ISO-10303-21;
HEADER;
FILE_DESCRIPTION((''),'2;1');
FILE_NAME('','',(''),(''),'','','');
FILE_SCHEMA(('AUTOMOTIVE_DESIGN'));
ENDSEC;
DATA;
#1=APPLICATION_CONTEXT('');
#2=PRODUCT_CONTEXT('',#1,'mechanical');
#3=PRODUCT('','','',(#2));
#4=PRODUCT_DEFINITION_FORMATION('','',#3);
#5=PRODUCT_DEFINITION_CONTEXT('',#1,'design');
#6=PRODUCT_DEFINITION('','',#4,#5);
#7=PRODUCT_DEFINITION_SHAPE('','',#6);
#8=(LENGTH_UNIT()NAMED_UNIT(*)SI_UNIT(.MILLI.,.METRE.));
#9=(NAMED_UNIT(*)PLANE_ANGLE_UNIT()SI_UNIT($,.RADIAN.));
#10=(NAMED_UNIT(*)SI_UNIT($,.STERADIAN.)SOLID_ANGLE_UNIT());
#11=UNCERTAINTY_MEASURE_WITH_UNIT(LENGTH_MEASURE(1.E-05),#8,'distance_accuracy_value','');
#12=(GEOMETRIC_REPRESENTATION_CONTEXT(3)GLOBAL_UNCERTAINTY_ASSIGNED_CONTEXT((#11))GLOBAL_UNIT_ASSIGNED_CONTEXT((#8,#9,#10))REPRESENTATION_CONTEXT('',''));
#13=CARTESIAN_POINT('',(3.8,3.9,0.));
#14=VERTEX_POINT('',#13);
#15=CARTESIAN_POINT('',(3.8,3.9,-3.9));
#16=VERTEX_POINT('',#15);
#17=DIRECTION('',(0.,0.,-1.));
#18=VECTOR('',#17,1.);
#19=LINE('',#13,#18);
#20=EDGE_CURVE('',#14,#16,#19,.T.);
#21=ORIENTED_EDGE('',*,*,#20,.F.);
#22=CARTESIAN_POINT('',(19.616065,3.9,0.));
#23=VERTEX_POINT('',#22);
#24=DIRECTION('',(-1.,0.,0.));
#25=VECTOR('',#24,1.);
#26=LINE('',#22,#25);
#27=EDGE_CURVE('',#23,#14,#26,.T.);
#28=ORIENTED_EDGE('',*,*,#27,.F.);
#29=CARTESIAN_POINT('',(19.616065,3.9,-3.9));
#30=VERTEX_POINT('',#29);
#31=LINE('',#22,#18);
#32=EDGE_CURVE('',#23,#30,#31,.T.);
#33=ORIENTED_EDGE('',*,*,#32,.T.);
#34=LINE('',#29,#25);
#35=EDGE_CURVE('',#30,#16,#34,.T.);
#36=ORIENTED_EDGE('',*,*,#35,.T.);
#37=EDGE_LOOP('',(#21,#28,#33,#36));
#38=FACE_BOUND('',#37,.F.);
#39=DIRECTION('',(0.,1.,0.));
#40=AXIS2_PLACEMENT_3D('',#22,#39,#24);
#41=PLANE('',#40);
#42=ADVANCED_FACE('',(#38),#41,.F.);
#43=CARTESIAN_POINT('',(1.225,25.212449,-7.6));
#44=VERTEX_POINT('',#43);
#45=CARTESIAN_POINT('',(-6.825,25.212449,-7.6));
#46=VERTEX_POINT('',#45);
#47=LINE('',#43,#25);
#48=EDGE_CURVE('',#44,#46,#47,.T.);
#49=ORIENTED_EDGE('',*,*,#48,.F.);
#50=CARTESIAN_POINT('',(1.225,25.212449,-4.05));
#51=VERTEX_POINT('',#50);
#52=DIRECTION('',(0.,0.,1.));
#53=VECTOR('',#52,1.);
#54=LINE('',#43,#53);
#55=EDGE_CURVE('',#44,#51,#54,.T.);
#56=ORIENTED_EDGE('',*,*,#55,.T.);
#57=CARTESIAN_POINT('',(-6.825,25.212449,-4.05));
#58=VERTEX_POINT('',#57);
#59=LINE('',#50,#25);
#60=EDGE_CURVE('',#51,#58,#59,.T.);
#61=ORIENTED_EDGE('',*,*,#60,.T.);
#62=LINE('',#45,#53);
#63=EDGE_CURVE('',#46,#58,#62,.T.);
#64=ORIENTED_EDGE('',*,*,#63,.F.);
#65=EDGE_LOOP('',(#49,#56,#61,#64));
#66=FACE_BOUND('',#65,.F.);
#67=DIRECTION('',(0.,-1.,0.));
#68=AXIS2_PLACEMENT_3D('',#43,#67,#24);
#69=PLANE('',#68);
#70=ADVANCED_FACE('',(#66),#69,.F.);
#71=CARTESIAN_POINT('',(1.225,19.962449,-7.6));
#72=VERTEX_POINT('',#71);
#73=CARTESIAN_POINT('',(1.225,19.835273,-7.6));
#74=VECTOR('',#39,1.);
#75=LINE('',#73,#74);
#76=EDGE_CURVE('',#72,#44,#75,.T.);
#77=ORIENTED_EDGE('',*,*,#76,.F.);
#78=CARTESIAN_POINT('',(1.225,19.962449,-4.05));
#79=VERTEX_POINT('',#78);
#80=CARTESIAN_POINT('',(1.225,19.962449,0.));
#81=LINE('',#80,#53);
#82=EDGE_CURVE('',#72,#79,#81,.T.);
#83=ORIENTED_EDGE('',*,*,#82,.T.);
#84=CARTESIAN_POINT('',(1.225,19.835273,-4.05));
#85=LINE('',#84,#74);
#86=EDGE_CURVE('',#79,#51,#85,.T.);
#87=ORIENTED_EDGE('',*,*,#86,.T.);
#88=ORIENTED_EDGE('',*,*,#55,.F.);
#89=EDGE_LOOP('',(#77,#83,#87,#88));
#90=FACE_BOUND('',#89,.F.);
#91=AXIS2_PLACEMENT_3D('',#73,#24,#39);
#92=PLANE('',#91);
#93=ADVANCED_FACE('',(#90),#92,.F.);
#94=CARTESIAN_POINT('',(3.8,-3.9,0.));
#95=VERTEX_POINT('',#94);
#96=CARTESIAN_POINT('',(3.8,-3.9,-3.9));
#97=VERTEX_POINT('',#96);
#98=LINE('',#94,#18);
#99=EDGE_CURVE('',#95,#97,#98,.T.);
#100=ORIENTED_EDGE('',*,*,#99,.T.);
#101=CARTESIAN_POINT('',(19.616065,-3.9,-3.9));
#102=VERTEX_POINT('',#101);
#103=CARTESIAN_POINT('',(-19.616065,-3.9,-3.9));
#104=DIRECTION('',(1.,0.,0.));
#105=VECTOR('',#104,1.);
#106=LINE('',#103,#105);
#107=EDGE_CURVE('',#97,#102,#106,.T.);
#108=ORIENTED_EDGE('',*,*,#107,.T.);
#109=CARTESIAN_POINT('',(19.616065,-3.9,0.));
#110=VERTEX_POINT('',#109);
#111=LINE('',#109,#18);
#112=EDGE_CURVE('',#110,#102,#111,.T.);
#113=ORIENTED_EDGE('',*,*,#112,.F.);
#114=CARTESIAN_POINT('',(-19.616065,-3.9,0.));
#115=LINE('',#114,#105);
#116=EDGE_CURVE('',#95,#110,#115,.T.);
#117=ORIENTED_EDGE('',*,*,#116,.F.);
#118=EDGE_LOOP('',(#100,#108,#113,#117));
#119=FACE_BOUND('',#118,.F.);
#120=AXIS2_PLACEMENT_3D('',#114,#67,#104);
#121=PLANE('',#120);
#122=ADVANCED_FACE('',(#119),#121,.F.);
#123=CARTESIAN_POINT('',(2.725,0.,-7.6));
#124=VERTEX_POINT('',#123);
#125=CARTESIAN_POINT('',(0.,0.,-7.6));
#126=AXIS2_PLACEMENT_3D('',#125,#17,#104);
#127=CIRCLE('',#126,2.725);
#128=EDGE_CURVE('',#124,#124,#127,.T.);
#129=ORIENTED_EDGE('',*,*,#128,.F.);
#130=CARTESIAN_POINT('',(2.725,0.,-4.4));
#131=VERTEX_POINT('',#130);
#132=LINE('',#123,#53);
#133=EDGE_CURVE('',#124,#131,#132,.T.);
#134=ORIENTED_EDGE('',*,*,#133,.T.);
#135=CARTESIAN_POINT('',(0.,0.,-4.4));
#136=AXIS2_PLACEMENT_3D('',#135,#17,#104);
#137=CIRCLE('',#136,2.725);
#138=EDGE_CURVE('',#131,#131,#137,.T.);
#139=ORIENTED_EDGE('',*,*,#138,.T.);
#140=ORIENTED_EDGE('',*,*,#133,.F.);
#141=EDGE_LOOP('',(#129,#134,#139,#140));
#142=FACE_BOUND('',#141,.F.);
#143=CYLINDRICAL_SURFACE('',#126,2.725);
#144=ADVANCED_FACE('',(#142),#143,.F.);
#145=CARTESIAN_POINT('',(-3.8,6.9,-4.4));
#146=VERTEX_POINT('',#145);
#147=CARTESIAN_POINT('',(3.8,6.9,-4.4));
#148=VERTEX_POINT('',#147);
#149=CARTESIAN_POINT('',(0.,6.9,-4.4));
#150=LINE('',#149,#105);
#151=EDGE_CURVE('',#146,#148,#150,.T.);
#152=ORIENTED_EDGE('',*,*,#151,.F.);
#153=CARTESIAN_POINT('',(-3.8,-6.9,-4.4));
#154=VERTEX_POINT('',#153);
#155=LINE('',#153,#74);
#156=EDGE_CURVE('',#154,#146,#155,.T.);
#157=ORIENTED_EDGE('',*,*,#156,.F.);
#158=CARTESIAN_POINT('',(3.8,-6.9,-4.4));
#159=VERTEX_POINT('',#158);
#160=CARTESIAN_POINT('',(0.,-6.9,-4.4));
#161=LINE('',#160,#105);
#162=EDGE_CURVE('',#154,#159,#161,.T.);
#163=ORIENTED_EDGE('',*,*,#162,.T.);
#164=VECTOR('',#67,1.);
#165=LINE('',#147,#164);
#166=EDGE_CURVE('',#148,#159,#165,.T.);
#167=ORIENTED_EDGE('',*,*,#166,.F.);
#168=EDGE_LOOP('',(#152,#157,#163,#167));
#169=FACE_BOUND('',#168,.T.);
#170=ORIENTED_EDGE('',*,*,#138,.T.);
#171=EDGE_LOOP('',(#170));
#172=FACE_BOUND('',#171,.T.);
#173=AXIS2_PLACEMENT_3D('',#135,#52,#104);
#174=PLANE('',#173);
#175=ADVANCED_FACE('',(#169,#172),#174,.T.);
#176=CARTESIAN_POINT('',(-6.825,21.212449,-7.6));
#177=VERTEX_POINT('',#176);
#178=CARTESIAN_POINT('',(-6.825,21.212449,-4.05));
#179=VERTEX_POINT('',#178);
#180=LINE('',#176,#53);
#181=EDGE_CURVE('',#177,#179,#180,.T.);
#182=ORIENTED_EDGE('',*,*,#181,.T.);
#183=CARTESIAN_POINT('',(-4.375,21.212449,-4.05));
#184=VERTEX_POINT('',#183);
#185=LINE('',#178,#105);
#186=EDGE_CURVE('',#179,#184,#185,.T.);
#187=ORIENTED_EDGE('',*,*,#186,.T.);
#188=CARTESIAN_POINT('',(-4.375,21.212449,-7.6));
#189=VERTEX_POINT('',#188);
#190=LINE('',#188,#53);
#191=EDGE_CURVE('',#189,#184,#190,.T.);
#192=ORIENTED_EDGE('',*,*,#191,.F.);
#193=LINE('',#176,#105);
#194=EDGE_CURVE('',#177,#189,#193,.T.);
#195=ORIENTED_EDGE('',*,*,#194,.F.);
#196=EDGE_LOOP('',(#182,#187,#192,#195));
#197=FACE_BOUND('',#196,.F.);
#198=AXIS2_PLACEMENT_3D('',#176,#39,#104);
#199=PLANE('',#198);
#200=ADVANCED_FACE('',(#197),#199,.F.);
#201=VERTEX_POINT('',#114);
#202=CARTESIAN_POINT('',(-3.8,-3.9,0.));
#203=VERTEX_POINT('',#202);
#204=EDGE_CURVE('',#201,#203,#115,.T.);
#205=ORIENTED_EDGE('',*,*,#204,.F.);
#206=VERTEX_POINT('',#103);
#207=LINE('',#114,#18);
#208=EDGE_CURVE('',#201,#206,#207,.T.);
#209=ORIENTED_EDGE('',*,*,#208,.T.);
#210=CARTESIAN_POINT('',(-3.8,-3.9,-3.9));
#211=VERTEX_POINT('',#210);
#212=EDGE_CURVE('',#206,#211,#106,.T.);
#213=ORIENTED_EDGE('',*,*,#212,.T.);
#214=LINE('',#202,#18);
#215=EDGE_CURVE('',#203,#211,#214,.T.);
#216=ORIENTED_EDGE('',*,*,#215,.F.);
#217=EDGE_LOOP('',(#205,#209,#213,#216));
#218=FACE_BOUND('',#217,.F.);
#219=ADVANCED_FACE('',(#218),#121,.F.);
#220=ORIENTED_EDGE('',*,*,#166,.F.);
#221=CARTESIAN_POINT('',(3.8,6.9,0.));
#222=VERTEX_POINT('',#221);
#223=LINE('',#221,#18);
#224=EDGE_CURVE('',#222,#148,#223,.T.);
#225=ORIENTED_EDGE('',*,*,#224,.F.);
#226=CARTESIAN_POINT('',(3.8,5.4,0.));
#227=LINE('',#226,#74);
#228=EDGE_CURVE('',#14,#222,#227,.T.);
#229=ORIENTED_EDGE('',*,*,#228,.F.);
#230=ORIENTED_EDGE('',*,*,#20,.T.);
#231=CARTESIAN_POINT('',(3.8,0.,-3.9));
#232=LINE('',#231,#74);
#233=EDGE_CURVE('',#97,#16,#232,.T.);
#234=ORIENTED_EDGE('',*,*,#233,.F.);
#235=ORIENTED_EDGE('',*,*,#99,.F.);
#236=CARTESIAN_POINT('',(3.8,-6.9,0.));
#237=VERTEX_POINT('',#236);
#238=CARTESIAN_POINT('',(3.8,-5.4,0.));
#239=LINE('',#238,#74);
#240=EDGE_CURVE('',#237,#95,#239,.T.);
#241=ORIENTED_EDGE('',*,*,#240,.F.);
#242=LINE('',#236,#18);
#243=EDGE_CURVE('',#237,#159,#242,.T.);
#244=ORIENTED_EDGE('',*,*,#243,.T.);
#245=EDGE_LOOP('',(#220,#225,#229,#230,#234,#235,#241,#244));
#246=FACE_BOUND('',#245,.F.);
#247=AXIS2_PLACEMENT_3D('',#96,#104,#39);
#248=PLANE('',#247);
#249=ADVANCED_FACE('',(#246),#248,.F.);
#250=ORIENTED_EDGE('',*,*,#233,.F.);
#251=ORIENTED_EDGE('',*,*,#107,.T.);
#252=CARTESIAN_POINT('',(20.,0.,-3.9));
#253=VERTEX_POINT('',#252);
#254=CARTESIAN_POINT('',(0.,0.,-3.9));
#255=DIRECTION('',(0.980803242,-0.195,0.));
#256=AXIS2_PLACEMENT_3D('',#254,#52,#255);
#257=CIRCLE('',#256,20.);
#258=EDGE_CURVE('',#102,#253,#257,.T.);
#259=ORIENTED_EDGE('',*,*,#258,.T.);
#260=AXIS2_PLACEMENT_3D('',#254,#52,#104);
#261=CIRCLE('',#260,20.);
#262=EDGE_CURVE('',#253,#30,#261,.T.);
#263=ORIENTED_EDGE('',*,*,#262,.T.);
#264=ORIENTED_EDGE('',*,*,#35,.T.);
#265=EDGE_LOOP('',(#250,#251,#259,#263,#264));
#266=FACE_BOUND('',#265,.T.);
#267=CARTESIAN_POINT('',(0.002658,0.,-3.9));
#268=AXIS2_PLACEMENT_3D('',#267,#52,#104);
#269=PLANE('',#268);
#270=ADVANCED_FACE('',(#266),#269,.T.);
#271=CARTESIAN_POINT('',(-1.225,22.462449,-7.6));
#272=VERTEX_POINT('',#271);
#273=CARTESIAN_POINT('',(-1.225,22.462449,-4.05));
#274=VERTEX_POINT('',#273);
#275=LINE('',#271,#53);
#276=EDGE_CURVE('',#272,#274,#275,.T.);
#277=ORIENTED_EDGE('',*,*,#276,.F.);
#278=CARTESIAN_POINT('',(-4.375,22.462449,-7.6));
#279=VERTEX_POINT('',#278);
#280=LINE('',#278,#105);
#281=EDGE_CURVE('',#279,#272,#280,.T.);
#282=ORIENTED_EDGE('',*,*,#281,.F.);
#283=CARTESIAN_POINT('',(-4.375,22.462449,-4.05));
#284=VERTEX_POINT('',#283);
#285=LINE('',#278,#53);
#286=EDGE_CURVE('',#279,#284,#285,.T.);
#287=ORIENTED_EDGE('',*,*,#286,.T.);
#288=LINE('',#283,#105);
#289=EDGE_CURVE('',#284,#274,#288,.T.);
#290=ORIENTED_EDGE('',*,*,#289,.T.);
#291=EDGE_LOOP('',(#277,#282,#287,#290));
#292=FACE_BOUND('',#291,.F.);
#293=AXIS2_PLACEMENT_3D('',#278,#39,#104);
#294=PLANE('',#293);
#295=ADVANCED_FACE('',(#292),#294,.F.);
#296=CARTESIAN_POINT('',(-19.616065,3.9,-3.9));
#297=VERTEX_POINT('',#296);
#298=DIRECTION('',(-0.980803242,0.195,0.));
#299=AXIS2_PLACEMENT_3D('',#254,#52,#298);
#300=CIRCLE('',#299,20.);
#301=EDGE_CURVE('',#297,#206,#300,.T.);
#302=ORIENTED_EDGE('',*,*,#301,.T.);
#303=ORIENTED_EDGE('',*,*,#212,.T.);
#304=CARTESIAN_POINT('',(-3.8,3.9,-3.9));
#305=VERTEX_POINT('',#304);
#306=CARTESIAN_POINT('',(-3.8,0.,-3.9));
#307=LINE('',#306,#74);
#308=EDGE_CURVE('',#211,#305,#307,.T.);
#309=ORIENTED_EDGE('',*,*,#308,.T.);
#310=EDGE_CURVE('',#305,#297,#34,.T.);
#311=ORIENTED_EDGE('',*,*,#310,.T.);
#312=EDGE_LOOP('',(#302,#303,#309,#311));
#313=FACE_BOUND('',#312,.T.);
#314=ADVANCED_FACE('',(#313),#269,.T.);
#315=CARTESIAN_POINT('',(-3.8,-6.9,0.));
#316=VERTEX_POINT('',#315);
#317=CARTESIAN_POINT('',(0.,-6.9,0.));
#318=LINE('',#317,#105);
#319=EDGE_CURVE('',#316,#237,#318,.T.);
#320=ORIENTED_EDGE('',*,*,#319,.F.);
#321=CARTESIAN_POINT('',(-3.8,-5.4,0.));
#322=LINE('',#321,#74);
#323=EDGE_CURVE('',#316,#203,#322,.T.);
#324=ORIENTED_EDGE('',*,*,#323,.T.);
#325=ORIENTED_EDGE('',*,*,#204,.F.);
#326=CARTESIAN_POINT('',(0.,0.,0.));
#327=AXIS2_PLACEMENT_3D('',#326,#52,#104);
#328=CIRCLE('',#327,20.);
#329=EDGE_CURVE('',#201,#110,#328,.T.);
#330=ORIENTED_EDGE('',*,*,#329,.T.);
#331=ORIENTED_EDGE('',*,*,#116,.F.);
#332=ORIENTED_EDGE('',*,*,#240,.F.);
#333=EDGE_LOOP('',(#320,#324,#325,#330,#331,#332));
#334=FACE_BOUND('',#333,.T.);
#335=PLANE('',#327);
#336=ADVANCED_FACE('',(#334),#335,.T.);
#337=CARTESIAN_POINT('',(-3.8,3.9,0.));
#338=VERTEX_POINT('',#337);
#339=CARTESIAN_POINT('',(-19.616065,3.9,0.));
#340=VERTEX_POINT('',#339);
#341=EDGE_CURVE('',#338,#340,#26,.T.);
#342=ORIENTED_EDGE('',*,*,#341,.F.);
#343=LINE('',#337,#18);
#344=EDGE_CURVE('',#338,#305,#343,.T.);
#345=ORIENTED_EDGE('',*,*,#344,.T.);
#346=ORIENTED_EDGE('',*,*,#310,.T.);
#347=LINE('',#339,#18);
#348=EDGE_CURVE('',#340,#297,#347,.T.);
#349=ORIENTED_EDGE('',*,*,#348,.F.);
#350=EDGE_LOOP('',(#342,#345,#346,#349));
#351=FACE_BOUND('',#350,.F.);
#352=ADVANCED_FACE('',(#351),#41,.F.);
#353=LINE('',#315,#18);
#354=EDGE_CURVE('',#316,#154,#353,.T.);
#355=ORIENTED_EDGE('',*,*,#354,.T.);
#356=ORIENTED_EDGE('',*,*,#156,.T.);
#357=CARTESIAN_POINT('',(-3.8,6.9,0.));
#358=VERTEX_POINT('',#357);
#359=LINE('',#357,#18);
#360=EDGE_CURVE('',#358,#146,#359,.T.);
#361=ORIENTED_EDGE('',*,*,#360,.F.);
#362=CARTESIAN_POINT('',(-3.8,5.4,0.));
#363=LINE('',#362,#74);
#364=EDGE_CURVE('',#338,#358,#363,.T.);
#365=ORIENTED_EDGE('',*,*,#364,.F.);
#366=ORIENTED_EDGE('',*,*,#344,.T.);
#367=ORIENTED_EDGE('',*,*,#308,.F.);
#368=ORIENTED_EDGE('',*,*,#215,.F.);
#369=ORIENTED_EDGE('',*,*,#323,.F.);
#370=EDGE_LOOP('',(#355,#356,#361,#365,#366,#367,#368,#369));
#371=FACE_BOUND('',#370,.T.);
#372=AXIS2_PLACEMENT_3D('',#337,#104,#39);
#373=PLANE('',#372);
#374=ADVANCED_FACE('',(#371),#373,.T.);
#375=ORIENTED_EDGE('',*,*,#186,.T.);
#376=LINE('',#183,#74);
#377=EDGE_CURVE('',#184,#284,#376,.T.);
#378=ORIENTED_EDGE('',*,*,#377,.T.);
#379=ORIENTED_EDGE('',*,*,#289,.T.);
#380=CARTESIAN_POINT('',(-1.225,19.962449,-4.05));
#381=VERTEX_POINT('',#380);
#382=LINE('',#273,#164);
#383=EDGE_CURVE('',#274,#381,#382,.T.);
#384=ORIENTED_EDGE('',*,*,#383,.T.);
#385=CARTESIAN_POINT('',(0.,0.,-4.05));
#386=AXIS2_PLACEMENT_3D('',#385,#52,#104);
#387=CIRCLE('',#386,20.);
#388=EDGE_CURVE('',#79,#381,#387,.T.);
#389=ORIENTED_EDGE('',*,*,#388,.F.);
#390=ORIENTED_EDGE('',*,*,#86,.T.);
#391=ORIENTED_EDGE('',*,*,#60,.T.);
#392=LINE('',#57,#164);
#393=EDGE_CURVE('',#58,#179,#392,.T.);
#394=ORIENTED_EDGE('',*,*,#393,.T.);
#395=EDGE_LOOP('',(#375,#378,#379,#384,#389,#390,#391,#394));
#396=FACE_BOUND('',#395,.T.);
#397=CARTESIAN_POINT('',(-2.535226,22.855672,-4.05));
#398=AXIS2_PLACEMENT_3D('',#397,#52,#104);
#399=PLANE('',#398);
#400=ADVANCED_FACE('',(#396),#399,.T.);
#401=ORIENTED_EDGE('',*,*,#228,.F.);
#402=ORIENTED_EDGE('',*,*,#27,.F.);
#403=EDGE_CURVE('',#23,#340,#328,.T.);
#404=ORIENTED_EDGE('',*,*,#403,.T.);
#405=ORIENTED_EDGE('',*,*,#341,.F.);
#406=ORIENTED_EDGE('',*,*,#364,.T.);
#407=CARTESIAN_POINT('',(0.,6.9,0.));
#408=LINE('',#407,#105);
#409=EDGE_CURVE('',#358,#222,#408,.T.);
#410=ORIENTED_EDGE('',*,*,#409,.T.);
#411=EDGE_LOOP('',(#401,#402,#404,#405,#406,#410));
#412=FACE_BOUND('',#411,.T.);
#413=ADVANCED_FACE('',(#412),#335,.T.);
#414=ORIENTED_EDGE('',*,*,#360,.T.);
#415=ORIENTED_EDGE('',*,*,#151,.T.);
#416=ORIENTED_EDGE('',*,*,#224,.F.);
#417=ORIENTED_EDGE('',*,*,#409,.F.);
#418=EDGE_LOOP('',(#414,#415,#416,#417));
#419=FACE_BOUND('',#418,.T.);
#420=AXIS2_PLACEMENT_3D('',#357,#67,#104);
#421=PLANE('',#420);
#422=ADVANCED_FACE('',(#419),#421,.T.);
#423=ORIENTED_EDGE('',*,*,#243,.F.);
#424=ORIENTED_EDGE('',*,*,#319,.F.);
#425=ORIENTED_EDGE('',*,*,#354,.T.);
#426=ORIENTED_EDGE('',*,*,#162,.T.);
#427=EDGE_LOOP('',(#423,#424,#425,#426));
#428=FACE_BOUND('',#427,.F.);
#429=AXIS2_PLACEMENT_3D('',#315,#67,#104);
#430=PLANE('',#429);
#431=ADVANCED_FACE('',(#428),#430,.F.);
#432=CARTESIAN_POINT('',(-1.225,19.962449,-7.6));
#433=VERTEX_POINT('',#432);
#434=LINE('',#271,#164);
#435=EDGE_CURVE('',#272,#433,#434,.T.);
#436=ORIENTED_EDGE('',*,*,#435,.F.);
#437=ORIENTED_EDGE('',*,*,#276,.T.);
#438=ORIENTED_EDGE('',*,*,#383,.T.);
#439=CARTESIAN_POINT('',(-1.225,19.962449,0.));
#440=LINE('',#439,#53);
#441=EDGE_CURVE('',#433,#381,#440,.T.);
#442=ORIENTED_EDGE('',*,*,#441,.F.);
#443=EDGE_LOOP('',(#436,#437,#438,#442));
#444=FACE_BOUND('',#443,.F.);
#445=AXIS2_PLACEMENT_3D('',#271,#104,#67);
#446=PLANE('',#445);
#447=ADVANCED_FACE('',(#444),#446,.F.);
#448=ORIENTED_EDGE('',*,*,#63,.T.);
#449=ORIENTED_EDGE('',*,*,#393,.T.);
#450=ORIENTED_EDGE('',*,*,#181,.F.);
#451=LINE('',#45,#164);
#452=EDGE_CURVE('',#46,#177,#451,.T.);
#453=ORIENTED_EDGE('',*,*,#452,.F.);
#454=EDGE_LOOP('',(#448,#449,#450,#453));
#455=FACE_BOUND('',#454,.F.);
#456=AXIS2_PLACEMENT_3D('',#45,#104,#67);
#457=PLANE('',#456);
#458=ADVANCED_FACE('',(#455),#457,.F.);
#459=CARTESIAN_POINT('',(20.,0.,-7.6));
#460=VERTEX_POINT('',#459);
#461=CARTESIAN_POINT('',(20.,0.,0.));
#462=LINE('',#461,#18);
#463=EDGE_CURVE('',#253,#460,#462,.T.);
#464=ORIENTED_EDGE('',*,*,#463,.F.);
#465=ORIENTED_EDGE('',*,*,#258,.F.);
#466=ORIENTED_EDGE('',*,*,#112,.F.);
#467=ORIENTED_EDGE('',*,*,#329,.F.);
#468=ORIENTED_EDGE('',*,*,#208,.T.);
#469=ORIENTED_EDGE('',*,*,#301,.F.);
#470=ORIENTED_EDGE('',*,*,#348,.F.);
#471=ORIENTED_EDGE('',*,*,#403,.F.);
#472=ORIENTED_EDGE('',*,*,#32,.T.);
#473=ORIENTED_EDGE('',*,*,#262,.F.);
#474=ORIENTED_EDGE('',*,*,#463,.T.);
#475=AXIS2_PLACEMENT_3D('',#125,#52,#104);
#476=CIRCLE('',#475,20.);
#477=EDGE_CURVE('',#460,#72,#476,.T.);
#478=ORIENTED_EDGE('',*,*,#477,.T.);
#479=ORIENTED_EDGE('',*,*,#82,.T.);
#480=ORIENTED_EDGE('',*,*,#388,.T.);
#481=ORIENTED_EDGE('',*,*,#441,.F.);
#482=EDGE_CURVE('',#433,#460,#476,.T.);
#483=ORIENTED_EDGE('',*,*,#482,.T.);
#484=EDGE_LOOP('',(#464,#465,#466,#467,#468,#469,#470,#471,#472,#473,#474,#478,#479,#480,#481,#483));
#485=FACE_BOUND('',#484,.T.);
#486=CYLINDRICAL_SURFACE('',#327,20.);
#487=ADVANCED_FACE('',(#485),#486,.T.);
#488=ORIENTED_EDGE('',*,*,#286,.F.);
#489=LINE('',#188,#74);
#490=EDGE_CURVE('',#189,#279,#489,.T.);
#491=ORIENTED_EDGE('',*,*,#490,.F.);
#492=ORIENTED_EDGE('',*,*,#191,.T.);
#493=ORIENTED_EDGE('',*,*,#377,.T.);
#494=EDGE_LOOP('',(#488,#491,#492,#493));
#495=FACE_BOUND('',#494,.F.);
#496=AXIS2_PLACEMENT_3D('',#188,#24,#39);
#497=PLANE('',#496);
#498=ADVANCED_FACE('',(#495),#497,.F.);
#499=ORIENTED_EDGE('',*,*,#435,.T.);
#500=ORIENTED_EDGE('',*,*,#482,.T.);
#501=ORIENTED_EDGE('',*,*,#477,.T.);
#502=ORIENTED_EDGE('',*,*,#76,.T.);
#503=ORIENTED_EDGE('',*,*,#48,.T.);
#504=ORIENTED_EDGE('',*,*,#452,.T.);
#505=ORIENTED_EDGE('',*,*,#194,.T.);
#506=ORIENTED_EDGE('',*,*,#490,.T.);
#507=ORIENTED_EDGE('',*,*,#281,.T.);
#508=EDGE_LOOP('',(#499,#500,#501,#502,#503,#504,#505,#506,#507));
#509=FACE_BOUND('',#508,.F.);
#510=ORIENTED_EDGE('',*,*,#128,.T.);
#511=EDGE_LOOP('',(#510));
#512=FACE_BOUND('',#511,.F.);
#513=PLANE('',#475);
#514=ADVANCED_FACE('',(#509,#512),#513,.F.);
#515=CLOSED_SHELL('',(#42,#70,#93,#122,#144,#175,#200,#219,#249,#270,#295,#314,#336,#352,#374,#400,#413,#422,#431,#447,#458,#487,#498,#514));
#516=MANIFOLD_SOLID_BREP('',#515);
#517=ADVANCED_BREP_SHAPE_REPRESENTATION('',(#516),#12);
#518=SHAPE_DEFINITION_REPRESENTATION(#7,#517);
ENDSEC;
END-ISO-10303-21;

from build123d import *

# Parameters (mm, degrees)
F0_R      = 20
F1_DEPTH  = 7.6
F3_DEPTH  = 3.9
F4_W      = 7.6
F4_H      = 3
F5_W      = 7.6
F5_H      = 3
F6_DEPTH  = 4.4
F7_W      = 7.6
F7_H      = 7.8
F8_DEPTH  = 0.5
F11_DEPTH = 3.55
F12_R     = 2.725
F13_DEPTH = 7.6


with BuildPart() as f1:
    # F0 (on Top) → F1 (new body)
    with BuildSketch(Plane.XY):
        Circle(F0_R)
    extrude(amount=-F1_DEPTH)

    # F2 (on face) → F3 (cut)
    with BuildSketch(Plane.XY):
        with BuildLine():
            Line((19.6160648449, 3.9), (-19.6160648449, 3.9))
            ThreePointArc((-19.6160648449, 3.9), (-20, 0), (-19.6160648449, -3.9))
            Line((-19.6160648449, -3.9), (19.6160648449, -3.9))
            ThreePointArc((19.6160648449, -3.9), (19.903784777, -1.9594263321), (20, 0))
            ThreePointArc((20, 0), (19.903784777, 1.9594263321), (19.6160648449, 3.9))
        make_face()
    extrude(amount=-F3_DEPTH, mode=Mode.SUBTRACT)

    # F4 (on face) + F5 (on face) → F6 (cut)
    with BuildSketch(Plane.XY):
        with Locations((0, -5.4)):
            Rectangle(F4_W, F4_H)
    with BuildSketch(Plane.XY):
        with Locations((0, 5.4)):
            Rectangle(F5_W, F5_H)
    extrude(amount=-F6_DEPTH, mode=Mode.SUBTRACT)

    # F7 (on face) → F8 (cut)
    with BuildSketch(Plane.XY.offset(-3.9)):
        Rectangle(F7_W, F7_H)
    extrude(amount=-F8_DEPTH, mode=Mode.SUBTRACT)

    # F10 (on offset) → F11 (join)
    with BuildSketch(Plane.XY.offset(-7.6)):
        Polygon((1.225, 19.8352728039), (1.225, 19.9624491233), (1.225, 25.2124491233), (-6.825, 25.2124491233), (-6.825, 21.2124491233), (-4.375, 21.2124491233), (-4.375, 22.4624491233), (-1.225, 22.4624491233), (-1.225, 19.9624491233), (-1.225, 19.7902154177), align=None)
    extrude(amount=F11_DEPTH)

    # F12 (on face) → F13 (cut)
    with BuildSketch(Plane(origin=(0, 0, -7.6), x_dir=(1, 0, 0), z_dir=(0, 0, -1))):
        Circle(F12_R)
    extrude(amount=-F13_DEPTH, mode=Mode.SUBTRACT)


solid = f1.part
